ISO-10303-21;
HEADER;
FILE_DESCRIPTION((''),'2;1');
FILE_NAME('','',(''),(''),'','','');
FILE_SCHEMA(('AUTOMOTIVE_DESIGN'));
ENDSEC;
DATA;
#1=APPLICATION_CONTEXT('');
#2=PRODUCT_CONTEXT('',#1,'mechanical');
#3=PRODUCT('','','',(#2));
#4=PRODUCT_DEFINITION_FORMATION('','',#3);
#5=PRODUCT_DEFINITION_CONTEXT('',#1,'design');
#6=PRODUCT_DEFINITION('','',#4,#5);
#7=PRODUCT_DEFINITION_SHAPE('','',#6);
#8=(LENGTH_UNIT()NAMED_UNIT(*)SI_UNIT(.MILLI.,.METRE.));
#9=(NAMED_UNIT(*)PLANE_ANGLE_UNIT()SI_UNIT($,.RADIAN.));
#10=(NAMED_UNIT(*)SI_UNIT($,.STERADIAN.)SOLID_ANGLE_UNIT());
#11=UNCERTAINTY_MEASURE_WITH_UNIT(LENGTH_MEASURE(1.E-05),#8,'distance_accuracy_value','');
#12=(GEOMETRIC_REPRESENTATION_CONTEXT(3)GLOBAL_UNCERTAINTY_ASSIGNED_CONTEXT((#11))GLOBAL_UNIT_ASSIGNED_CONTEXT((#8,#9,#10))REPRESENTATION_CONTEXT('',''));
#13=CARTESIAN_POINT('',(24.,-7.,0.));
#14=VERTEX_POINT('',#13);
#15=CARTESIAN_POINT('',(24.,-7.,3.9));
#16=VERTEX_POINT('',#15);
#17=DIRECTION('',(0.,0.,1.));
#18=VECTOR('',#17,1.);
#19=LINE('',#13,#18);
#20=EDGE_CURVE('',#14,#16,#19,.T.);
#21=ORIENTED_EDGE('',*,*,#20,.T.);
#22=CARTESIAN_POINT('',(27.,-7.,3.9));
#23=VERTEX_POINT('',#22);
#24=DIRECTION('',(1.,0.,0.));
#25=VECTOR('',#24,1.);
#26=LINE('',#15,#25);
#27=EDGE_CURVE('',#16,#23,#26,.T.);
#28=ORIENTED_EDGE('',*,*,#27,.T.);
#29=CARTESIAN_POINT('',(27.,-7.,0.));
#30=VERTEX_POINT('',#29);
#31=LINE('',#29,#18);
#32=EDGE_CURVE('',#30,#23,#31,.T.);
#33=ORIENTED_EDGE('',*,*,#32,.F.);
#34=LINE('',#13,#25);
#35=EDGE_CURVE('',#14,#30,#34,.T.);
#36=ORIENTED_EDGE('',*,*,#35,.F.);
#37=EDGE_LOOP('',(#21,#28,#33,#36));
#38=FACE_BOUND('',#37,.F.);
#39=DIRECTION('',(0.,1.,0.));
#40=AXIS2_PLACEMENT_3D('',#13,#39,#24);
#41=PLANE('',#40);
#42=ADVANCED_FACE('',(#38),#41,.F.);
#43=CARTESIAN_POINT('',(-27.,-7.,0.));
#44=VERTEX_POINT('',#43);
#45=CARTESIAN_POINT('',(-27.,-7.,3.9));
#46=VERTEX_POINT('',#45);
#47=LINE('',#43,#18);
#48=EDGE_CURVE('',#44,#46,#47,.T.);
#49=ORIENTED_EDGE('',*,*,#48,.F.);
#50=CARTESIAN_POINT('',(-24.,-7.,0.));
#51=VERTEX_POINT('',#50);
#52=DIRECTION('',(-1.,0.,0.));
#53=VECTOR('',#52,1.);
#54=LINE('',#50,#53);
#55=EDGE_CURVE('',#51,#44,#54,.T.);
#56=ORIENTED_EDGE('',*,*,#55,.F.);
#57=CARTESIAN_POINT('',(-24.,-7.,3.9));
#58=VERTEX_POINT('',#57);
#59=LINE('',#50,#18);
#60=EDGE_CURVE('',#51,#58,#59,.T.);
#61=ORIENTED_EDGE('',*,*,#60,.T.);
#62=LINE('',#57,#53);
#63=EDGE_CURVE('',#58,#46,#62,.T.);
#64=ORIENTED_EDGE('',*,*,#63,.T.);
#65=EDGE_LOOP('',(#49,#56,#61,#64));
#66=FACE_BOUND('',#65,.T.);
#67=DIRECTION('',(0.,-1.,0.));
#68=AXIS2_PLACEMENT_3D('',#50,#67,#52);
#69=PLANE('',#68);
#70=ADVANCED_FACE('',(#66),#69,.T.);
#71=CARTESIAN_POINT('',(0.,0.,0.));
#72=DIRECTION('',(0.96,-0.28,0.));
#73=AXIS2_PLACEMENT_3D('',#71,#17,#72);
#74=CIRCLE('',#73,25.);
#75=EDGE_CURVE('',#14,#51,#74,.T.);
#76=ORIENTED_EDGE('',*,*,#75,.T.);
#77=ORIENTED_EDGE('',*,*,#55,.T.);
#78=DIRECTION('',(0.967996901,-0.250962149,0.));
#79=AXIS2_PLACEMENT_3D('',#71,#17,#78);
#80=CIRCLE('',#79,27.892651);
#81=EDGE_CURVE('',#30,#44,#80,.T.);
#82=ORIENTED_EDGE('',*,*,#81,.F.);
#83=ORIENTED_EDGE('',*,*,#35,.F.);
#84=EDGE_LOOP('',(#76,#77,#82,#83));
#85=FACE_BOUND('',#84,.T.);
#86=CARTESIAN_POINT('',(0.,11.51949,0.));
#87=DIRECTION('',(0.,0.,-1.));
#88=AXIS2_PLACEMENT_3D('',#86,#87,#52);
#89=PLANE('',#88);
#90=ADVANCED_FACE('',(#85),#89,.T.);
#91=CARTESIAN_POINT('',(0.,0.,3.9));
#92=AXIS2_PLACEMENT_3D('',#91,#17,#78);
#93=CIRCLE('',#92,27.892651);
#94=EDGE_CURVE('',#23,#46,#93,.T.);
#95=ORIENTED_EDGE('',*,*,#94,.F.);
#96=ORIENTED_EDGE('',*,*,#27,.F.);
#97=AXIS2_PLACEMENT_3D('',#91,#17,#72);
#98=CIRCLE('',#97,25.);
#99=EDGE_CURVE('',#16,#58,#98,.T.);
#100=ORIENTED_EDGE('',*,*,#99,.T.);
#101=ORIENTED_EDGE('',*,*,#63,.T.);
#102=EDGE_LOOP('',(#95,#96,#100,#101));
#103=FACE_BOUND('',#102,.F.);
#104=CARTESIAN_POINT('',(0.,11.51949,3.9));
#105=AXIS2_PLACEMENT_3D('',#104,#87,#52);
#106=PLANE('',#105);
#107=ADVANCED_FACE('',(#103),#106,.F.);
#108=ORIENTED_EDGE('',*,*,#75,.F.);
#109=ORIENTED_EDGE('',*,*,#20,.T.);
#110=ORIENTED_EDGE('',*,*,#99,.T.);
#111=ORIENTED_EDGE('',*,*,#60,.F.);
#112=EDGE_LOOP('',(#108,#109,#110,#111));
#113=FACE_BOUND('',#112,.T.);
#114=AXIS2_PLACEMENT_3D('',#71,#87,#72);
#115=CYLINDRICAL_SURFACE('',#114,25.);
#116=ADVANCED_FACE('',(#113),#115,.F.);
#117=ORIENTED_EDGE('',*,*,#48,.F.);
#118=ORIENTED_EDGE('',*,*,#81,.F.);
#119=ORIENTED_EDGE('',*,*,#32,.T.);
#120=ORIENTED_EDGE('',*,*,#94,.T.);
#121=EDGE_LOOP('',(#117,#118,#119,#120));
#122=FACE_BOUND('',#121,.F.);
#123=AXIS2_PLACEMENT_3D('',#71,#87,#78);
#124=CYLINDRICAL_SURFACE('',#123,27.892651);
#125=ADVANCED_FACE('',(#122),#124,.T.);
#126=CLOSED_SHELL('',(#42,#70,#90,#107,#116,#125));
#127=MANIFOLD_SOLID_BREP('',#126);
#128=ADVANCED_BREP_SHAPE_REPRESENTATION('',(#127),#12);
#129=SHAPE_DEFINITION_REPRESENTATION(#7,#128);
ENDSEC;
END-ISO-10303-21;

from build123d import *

# Parameters (mm, degrees)
PAD_DEPTH = 3.9


with BuildPart() as part:
    # Sketch → Pad (new body)
    with BuildSketch(Plane.XY):
        with BuildLine():
            ThreePointArc((24, -7), (0, 25), (-24, -7))
            Line((-24, -7), (-27, -7))
            ThreePointArc((27, -7), (0, 27.892651), (-27, -7))
            Line((24, -7), (27, -7))
        make_face()
    extrude(amount=PAD_DEPTH)


solid = part.part
